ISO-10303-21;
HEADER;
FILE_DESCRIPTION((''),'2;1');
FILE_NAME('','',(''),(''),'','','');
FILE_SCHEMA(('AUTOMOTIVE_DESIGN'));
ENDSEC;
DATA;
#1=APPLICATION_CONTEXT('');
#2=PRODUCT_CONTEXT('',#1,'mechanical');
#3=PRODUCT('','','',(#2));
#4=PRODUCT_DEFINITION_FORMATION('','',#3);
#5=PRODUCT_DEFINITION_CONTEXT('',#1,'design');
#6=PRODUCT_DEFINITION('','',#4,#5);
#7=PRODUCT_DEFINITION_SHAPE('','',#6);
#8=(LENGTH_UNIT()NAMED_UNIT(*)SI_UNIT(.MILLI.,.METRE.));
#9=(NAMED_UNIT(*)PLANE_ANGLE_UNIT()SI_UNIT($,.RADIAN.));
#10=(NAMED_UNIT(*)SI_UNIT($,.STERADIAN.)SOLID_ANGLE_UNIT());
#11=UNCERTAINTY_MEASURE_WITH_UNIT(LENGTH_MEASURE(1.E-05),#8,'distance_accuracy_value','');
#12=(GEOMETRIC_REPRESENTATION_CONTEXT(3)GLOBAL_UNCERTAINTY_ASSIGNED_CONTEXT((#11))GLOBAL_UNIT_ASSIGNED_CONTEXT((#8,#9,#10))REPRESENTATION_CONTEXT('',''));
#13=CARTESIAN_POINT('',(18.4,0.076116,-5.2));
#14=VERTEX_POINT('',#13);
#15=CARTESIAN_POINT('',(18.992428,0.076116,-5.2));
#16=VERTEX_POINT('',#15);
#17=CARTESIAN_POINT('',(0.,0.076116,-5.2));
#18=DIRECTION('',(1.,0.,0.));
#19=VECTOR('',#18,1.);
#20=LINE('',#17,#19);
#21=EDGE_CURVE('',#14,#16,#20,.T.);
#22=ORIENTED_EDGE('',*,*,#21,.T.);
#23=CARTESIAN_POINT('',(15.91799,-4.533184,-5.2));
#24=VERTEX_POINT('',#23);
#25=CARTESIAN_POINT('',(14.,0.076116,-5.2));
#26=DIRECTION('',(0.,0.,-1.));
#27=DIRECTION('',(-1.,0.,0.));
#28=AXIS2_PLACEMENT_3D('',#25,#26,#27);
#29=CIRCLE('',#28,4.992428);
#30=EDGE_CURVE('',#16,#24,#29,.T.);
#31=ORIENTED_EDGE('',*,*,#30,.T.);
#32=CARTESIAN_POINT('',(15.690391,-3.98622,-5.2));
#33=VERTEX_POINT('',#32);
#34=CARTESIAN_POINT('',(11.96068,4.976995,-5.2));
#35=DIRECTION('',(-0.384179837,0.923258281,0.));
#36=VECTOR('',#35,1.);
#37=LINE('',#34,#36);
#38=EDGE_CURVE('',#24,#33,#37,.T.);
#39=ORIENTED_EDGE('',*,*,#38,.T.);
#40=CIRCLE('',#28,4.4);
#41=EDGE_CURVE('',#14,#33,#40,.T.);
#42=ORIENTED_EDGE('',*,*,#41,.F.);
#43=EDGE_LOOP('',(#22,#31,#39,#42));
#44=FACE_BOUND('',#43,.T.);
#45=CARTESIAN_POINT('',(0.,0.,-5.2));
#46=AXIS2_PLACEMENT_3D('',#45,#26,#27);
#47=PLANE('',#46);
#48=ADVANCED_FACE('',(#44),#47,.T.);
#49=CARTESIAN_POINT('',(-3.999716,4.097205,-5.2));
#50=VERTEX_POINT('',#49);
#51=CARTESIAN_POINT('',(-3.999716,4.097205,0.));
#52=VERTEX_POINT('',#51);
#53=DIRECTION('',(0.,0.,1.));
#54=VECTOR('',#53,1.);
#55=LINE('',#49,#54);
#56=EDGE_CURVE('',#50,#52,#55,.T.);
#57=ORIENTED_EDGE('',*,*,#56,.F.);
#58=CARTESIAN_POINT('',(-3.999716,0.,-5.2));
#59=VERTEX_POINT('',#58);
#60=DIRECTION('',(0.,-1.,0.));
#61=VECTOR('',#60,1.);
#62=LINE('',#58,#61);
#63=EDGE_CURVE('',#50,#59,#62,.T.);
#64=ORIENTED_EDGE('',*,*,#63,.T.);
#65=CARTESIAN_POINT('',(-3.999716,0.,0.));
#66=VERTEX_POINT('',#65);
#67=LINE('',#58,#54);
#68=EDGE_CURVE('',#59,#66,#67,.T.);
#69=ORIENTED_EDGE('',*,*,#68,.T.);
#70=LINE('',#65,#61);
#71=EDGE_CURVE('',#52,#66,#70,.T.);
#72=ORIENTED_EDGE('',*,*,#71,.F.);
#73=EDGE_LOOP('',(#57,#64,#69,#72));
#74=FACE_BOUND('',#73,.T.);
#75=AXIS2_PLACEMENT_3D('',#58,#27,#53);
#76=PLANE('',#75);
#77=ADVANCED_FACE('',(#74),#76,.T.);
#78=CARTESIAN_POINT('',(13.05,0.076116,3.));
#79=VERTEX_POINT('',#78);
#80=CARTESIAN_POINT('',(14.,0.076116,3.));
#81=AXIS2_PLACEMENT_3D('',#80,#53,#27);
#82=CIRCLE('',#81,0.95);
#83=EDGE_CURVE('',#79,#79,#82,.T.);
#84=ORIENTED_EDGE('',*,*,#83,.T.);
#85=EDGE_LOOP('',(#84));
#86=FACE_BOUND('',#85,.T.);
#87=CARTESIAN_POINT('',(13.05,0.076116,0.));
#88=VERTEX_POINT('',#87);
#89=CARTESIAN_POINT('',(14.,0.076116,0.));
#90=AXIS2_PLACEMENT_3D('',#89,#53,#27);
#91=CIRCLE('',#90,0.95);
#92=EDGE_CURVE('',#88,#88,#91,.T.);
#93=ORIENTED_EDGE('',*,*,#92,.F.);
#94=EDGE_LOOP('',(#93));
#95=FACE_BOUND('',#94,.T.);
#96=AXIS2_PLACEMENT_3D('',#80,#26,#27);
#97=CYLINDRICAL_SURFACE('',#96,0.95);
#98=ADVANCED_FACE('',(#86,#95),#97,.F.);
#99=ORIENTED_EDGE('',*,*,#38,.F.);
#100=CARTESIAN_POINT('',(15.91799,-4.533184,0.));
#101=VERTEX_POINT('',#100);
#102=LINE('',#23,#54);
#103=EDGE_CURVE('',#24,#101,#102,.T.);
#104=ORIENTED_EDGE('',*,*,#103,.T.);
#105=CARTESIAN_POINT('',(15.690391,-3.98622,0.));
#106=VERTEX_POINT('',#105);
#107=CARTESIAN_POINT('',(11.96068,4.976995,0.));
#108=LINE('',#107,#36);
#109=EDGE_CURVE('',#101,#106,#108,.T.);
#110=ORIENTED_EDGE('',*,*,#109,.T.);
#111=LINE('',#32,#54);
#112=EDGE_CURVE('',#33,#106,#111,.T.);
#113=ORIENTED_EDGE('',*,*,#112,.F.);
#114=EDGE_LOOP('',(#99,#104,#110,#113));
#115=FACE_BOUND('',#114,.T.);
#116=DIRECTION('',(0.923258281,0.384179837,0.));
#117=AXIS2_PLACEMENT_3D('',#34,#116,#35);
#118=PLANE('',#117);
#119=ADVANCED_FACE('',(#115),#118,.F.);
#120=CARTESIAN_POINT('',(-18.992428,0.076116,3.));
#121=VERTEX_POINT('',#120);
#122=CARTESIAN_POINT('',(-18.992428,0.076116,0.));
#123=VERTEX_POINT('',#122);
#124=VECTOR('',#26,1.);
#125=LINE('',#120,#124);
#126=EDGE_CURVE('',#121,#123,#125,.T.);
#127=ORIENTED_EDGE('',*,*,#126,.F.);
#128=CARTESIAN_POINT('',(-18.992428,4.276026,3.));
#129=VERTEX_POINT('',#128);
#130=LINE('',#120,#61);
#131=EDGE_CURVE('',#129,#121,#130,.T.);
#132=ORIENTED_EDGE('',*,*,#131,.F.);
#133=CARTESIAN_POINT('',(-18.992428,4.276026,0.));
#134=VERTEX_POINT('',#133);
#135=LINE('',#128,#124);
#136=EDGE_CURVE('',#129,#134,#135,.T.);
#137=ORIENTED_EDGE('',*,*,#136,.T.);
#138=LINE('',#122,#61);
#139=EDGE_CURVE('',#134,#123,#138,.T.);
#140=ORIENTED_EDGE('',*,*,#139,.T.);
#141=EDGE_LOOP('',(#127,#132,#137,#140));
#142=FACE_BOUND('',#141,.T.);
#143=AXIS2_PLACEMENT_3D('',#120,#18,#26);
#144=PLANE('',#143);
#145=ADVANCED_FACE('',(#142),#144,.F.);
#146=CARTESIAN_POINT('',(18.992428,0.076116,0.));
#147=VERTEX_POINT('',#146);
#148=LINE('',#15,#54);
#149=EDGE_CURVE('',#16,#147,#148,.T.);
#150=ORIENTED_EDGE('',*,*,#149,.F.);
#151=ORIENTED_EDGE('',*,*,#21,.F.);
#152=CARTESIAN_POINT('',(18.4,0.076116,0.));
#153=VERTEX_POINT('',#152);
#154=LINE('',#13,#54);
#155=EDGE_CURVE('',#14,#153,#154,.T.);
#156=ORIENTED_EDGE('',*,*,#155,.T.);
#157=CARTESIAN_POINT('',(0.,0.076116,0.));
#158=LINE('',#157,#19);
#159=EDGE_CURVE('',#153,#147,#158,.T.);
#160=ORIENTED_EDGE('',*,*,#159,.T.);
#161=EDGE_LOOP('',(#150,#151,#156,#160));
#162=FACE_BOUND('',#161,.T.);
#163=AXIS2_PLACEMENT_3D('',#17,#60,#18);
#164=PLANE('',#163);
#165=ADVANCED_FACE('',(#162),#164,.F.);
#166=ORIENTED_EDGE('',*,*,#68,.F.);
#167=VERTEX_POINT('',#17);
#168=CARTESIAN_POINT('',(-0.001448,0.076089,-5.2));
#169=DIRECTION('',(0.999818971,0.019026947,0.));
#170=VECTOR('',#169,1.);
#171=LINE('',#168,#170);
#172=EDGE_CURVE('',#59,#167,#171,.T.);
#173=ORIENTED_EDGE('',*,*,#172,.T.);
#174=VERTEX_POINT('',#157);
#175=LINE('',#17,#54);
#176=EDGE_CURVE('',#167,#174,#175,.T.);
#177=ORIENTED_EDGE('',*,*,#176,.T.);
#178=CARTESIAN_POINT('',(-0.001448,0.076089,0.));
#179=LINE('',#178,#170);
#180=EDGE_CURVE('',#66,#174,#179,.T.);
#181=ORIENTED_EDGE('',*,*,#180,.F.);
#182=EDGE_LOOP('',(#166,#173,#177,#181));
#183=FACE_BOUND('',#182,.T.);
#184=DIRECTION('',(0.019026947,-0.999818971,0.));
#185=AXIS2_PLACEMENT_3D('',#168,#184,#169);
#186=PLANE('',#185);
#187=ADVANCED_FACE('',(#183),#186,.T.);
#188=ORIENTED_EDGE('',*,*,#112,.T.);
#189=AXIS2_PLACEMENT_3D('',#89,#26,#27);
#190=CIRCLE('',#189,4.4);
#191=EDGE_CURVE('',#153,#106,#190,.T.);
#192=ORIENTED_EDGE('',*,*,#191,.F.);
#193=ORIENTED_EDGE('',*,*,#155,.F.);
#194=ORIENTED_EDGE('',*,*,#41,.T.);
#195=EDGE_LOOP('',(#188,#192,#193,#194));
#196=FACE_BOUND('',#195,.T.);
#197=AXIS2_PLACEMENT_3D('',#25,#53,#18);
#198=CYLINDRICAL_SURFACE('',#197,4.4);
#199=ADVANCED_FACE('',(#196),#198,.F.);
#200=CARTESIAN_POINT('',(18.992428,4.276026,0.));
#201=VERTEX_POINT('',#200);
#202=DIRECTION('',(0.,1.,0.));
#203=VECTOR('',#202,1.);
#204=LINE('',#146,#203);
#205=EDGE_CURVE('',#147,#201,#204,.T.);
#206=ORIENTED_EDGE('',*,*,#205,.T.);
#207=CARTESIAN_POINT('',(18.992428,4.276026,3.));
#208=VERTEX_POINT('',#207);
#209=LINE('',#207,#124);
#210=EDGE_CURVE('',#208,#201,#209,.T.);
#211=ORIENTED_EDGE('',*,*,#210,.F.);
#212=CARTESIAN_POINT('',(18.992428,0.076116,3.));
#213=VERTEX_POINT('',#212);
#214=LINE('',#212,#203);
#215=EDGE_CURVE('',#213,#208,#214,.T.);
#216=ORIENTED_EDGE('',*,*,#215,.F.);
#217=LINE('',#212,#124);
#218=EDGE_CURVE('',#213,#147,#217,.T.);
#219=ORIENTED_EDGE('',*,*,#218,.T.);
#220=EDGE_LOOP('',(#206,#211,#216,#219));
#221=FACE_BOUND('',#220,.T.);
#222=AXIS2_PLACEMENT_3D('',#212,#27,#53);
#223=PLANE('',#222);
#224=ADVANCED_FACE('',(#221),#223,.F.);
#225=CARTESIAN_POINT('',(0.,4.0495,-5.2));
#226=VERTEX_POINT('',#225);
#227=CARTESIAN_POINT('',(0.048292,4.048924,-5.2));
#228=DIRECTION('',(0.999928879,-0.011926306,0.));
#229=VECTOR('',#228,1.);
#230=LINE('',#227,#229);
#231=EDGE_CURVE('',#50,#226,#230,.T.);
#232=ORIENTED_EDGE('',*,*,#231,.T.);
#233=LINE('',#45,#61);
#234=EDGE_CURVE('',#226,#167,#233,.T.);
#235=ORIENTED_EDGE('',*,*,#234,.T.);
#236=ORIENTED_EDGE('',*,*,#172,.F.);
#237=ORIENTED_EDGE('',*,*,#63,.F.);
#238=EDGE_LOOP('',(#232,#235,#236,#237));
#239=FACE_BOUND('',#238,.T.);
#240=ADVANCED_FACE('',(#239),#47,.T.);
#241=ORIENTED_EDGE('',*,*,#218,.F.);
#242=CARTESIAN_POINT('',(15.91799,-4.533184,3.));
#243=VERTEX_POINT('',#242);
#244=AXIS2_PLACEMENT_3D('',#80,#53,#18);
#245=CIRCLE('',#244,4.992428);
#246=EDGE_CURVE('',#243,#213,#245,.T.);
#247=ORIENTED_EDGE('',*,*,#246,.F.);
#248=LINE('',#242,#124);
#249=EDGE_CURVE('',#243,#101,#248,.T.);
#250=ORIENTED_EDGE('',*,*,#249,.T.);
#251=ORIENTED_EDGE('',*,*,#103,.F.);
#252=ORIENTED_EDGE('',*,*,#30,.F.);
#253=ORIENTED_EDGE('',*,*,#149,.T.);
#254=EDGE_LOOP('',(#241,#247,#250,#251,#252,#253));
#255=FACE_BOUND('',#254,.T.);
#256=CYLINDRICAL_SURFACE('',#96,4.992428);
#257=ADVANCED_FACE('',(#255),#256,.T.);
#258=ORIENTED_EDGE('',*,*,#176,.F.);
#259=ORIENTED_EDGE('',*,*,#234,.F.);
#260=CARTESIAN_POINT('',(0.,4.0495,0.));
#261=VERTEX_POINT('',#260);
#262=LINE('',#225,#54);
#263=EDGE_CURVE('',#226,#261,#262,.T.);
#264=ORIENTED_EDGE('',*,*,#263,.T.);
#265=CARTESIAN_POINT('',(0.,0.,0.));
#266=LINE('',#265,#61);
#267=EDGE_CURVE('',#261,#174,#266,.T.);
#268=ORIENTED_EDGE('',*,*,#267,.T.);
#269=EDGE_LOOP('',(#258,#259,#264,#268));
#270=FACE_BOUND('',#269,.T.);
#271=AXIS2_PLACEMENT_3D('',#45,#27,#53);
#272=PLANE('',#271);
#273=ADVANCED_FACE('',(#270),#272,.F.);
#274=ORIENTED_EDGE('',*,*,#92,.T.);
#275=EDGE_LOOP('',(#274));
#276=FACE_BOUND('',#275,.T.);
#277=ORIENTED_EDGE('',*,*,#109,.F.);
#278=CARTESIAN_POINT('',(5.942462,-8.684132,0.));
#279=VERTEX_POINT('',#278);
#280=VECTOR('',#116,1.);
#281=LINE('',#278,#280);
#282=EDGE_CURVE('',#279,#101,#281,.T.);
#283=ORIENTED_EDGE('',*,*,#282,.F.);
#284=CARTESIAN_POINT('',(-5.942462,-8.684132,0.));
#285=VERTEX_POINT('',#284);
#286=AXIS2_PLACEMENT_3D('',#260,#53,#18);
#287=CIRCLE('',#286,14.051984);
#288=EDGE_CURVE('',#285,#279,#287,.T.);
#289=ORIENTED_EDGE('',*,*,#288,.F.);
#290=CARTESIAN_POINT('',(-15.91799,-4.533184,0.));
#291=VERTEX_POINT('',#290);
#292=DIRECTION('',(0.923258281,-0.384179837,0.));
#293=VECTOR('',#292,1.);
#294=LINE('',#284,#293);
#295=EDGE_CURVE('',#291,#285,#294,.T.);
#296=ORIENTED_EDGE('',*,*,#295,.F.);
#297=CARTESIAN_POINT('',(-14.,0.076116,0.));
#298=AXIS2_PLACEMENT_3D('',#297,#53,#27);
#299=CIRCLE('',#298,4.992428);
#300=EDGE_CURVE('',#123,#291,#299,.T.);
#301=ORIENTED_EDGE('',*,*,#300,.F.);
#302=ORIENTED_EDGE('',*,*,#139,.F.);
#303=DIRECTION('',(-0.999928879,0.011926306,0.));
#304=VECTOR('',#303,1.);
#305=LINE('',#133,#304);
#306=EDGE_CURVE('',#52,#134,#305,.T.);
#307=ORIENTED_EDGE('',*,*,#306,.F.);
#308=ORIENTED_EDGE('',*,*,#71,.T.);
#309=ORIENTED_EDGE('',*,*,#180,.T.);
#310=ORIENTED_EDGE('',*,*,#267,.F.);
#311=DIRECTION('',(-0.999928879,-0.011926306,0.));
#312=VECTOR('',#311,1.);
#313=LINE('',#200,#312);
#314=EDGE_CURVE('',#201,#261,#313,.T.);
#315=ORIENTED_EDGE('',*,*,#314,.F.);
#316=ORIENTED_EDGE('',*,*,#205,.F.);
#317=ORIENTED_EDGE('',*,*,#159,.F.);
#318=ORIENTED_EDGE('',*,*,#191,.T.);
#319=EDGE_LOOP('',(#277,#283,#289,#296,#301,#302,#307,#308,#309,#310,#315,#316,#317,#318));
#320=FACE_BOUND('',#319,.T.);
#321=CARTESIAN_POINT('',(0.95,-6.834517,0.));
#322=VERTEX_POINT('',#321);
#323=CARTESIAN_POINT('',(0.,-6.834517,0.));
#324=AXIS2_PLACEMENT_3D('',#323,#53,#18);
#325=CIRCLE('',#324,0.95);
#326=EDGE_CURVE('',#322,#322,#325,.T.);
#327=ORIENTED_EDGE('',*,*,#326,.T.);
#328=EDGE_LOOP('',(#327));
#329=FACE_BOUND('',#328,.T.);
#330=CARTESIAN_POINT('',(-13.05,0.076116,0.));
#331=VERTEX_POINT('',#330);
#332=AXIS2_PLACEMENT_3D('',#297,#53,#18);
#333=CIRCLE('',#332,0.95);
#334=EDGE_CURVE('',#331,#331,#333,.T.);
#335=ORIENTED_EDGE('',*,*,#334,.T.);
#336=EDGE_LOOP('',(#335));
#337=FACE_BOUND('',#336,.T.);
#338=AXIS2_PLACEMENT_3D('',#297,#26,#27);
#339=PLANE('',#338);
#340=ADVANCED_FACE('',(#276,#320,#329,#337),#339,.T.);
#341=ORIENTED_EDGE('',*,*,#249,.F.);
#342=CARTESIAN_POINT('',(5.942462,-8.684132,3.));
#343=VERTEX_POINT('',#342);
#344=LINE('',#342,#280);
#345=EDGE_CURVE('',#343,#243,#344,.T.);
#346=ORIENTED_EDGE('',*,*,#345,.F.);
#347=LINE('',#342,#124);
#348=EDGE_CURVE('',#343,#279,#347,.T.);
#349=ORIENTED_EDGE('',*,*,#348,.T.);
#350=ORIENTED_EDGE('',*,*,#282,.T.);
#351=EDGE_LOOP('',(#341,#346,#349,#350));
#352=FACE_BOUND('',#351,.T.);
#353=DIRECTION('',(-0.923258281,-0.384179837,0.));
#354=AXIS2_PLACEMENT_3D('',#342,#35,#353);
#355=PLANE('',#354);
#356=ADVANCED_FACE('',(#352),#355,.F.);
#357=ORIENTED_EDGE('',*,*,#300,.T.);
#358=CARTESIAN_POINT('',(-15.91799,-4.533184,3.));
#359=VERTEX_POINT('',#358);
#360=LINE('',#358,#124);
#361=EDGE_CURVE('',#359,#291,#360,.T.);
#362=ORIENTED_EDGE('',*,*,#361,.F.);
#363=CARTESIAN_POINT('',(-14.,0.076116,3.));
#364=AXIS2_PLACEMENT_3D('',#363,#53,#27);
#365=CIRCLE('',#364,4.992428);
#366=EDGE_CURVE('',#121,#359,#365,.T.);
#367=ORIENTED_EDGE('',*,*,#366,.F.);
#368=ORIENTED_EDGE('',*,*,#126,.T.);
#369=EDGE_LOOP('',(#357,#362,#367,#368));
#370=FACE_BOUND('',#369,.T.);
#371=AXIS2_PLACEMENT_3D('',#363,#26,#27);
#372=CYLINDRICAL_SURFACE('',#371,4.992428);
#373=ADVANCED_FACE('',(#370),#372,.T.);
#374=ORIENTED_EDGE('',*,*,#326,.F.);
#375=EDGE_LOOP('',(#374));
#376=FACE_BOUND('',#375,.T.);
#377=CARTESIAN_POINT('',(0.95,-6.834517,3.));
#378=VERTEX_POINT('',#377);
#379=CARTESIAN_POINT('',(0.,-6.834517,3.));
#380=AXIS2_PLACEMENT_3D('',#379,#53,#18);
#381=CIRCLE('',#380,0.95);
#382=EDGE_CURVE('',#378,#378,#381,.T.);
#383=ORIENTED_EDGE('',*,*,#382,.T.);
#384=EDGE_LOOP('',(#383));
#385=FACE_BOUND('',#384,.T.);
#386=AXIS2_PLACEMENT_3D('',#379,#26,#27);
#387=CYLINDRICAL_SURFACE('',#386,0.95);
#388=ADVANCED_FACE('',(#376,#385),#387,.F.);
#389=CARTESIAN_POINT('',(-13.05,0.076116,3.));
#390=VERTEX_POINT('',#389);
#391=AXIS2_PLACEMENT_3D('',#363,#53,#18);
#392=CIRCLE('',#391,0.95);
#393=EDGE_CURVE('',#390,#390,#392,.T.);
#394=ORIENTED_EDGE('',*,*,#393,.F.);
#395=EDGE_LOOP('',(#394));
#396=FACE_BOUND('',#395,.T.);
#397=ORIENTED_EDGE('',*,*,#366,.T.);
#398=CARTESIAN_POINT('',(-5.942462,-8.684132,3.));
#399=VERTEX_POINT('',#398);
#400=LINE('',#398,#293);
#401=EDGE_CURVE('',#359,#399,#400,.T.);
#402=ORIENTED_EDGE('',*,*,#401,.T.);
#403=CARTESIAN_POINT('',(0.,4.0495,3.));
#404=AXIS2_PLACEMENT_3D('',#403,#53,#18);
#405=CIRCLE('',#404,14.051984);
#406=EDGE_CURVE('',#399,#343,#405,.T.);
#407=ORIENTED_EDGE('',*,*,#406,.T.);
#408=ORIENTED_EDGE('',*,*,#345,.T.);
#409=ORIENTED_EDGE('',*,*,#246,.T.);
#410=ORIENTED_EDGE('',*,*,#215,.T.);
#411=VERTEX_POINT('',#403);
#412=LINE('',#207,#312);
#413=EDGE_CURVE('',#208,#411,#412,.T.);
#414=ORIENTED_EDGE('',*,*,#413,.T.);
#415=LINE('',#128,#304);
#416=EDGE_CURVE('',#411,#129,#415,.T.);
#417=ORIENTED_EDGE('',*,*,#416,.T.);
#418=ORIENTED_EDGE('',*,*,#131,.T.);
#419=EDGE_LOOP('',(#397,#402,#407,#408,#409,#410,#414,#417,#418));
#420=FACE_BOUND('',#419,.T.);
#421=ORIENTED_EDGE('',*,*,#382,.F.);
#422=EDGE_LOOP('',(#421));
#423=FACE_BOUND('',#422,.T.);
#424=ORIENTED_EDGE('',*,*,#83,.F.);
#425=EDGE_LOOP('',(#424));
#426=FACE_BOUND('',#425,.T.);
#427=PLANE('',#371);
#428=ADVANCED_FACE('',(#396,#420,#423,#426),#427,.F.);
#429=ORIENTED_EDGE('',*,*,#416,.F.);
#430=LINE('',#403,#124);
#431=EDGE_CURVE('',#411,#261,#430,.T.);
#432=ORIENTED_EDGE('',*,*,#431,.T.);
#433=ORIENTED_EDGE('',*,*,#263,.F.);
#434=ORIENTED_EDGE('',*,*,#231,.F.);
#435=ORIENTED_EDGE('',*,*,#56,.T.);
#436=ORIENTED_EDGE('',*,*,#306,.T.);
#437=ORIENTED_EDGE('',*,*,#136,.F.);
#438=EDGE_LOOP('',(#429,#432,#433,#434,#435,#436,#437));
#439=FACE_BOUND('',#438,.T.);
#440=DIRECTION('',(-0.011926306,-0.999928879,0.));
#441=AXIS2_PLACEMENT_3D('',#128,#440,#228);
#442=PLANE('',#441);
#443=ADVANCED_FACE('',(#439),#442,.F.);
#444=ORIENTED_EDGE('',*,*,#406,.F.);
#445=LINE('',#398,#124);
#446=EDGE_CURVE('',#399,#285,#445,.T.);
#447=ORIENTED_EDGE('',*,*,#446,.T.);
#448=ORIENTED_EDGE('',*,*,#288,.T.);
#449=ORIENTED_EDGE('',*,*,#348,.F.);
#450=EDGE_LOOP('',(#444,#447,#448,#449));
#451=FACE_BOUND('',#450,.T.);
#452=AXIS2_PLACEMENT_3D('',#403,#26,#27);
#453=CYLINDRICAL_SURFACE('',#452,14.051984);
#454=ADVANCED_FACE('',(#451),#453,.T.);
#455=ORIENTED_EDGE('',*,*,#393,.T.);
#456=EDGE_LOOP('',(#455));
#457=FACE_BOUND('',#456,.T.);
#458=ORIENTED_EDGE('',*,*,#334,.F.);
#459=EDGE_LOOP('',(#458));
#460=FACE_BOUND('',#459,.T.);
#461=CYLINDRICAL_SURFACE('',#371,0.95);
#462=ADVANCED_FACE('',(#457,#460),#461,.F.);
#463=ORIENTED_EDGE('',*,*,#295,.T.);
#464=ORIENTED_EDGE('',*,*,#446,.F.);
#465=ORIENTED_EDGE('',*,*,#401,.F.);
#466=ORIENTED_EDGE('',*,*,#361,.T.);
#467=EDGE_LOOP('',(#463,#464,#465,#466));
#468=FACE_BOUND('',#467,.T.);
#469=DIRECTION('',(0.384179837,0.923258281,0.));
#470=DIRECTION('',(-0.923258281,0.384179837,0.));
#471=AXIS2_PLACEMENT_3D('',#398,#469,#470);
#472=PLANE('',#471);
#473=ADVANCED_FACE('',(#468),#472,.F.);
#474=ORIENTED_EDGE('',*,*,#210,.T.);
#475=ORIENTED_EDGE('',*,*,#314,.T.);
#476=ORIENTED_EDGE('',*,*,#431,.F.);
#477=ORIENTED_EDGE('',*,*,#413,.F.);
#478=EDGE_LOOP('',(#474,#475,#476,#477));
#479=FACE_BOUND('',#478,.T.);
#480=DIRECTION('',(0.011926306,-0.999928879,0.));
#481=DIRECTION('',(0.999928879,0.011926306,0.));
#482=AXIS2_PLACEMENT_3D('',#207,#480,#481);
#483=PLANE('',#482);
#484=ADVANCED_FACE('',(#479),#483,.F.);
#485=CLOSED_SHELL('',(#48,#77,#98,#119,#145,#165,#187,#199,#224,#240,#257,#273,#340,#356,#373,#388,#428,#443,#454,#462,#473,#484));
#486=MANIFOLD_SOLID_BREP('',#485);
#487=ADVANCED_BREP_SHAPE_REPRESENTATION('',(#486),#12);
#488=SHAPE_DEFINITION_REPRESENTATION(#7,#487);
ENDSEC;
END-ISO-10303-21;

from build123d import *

# Parameters (mm, degrees)
SKETCH_1_R      = 0.95
EXTRUDE_1_DEPTH = 3
EXTRUDE_2_DEPTH = 5.2


with BuildPart() as part:
    # 草图1 → 凸台-拉伸1 (new body)
    with BuildSketch(Plane.XY):
        with BuildLine():
            Line((5.942462138, -8.684131796), (15.917990129, -4.533184225))
            ThreePointArc((15.917990129, -4.533184225), (18.153297697, -2.694164403), (18.992427879, 0.076116155))
            Line((18.992427879, 0.076116155), (18.992427879, 4.276025841))
            Line((18.992427879, 4.276025841), (0, 4.049500215))
            Line((0, 4.049500215), (-18.992427879, 4.276025841))
            Line((-18.992427879, 4.276025841), (-18.992427879, 0.076116155))
            ThreePointArc((-18.992427879, 0.076116155), (-18.153297697, -2.694164403), (-15.917990129, -4.533184225))
            Line((-15.917990129, -4.533184225), (-5.942462138, -8.684131796))
            ThreePointArc((-5.942462138, -8.684131796), (0, -10.002483291), (5.942462138, -8.684131796))
        make_face()
        with Locations((-14, 0.076116155)):
            Circle(SKETCH_1_R, mode=Mode.SUBTRACT)
        with Locations((14, 0.076116155)):
            Circle(SKETCH_1_R, mode=Mode.SUBTRACT)
        with Locations((0, -6.834517122)):
            Circle(SKETCH_1_R, mode=Mode.SUBTRACT)
    extrude(amount=EXTRUDE_1_DEPTH)

    # 草图2 → 凸台-拉伸2 (add)
    with BuildSketch(Plane(origin=(0, 0, 0), x_dir=(-1, 0, 0), z_dir=(0, 0, -1))):
        with BuildLine():
            ThreePointArc((-18.992427879, 0.076116155), (-18.153297697, -2.694164403), (-15.917990129, -4.533184225))
            Line((-15.917990129, -4.533184225), (-15.690391283, -3.98622028))
            ThreePointArc((-15.690391283, -3.98622028), (-17.66044544, -2.36542827), (-18.4, 0.076116155))
            Line((-18.4, 0.076116155), (-18.992427879, 0.076116155))
        make_face()
        Polygon((3.999715516, 4.097205441), (0, 4.049500215), (0, 0.076116155), (3.999715516, 0), align=None)
    extrude(amount=EXTRUDE_2_DEPTH)


solid = part.part
